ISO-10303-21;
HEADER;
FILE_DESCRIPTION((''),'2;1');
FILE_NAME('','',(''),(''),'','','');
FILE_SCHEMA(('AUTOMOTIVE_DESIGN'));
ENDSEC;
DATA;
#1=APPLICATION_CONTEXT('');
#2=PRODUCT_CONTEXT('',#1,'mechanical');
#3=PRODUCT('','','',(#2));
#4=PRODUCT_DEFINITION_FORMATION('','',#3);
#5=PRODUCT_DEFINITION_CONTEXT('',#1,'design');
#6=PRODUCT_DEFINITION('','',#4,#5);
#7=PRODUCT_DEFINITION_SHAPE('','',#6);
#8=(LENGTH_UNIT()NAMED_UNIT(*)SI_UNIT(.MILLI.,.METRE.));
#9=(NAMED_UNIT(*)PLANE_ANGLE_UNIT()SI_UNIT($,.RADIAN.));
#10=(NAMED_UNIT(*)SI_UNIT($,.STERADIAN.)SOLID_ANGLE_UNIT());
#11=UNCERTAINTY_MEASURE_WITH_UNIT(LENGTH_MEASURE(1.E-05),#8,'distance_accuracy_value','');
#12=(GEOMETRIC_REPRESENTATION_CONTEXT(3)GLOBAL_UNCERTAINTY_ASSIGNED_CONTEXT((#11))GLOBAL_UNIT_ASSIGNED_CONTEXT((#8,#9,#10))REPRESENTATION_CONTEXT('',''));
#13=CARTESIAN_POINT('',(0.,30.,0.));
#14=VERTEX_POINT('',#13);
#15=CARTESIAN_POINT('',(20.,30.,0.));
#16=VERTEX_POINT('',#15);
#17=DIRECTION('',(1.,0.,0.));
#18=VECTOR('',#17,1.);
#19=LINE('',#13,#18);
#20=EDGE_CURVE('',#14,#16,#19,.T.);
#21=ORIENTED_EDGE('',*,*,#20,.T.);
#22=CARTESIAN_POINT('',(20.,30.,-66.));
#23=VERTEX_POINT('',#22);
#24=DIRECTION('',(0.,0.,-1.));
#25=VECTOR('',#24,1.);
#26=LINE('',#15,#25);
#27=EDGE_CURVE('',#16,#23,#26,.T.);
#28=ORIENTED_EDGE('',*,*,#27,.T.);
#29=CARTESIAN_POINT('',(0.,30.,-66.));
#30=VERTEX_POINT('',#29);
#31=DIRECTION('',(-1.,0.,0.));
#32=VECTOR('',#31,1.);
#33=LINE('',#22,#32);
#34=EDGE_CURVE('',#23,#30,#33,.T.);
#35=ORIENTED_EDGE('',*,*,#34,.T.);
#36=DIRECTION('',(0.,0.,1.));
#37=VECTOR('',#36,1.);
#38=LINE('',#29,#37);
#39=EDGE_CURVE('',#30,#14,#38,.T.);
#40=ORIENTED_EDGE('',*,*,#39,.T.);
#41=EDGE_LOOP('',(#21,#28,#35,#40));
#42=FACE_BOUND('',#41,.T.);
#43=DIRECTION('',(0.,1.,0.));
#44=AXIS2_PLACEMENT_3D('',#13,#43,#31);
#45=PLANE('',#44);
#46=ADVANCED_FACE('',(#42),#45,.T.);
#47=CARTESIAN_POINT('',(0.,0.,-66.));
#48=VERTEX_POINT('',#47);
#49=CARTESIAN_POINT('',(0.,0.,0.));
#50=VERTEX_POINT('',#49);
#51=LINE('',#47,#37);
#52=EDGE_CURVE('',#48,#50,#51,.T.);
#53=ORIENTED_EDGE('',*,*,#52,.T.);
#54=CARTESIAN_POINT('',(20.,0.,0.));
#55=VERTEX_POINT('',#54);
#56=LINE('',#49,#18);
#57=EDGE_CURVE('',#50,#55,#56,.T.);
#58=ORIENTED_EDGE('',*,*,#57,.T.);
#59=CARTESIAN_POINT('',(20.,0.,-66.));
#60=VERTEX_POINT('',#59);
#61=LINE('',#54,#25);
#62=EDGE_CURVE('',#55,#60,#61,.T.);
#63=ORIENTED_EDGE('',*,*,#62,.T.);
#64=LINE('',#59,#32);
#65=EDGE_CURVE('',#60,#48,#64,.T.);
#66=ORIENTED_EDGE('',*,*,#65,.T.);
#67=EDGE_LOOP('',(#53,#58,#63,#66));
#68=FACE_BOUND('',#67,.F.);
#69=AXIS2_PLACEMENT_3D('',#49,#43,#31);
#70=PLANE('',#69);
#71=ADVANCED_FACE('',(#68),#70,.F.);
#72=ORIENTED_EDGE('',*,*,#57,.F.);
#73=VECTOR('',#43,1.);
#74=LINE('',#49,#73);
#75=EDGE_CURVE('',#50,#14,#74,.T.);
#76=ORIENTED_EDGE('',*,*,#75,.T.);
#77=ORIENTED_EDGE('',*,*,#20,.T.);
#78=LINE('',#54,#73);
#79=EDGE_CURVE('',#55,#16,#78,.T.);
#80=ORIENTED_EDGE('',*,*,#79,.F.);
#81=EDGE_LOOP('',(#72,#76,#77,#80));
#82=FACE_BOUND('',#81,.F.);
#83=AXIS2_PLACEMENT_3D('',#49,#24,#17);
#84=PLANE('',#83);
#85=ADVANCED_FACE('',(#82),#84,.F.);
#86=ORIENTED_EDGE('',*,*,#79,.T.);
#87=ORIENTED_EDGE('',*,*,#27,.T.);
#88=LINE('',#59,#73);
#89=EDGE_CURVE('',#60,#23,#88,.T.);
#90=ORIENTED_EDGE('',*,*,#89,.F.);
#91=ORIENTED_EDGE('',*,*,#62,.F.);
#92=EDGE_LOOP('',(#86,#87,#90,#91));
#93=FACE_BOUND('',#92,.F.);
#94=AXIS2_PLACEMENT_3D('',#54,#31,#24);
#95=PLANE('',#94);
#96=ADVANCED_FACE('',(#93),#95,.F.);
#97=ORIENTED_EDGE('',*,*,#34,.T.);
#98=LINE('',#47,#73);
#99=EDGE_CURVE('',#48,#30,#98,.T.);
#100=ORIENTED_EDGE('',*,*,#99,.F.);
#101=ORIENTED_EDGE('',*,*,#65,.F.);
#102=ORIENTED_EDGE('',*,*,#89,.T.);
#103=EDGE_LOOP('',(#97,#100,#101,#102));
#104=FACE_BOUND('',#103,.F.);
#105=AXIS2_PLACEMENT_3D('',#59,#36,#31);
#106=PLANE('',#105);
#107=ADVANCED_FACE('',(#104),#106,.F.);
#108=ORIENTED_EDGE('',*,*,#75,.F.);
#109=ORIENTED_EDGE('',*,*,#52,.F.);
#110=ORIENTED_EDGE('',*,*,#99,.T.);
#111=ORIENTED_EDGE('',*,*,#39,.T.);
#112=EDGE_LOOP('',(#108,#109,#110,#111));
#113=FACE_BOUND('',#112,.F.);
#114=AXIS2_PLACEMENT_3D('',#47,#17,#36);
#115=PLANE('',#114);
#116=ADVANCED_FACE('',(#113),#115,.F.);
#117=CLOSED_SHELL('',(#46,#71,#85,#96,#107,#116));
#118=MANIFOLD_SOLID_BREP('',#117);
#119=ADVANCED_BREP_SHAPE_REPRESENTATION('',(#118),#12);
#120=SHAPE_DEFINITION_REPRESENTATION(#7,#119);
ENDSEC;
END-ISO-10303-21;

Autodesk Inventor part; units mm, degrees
ref_plane "YZ Plane" through (0, 0, 0) normal (1, 0, 0) x (0, 1, 0)
ref_plane "XZ Plane" through (0, 0, 0) normal (0, 1, 0) x (-1, 0, 0)
ref_plane "XY Plane" through (0, 0, 0) normal (0, 0, 1) x (1, 0, 0)
sketch "Sketch2" plane through (0, 0, 0) normal (0, 1, 0) x (-1, 0, 0)
  line L0 (0, 0) -> (-20, 0)
  line L1 (-20, 0) -> (-20, -66)
  line L2 (-20, -66) -> (0, -66)
  line L3 (0, -66) -> (0, 0)
  dimension "d0" = 20
  dimension "d1" = 66
extrude "Extrusion1" add sketch "Sketch2" along normal blind 30
properties part number "lipo3s650" material "Acetal Resin, Black"
